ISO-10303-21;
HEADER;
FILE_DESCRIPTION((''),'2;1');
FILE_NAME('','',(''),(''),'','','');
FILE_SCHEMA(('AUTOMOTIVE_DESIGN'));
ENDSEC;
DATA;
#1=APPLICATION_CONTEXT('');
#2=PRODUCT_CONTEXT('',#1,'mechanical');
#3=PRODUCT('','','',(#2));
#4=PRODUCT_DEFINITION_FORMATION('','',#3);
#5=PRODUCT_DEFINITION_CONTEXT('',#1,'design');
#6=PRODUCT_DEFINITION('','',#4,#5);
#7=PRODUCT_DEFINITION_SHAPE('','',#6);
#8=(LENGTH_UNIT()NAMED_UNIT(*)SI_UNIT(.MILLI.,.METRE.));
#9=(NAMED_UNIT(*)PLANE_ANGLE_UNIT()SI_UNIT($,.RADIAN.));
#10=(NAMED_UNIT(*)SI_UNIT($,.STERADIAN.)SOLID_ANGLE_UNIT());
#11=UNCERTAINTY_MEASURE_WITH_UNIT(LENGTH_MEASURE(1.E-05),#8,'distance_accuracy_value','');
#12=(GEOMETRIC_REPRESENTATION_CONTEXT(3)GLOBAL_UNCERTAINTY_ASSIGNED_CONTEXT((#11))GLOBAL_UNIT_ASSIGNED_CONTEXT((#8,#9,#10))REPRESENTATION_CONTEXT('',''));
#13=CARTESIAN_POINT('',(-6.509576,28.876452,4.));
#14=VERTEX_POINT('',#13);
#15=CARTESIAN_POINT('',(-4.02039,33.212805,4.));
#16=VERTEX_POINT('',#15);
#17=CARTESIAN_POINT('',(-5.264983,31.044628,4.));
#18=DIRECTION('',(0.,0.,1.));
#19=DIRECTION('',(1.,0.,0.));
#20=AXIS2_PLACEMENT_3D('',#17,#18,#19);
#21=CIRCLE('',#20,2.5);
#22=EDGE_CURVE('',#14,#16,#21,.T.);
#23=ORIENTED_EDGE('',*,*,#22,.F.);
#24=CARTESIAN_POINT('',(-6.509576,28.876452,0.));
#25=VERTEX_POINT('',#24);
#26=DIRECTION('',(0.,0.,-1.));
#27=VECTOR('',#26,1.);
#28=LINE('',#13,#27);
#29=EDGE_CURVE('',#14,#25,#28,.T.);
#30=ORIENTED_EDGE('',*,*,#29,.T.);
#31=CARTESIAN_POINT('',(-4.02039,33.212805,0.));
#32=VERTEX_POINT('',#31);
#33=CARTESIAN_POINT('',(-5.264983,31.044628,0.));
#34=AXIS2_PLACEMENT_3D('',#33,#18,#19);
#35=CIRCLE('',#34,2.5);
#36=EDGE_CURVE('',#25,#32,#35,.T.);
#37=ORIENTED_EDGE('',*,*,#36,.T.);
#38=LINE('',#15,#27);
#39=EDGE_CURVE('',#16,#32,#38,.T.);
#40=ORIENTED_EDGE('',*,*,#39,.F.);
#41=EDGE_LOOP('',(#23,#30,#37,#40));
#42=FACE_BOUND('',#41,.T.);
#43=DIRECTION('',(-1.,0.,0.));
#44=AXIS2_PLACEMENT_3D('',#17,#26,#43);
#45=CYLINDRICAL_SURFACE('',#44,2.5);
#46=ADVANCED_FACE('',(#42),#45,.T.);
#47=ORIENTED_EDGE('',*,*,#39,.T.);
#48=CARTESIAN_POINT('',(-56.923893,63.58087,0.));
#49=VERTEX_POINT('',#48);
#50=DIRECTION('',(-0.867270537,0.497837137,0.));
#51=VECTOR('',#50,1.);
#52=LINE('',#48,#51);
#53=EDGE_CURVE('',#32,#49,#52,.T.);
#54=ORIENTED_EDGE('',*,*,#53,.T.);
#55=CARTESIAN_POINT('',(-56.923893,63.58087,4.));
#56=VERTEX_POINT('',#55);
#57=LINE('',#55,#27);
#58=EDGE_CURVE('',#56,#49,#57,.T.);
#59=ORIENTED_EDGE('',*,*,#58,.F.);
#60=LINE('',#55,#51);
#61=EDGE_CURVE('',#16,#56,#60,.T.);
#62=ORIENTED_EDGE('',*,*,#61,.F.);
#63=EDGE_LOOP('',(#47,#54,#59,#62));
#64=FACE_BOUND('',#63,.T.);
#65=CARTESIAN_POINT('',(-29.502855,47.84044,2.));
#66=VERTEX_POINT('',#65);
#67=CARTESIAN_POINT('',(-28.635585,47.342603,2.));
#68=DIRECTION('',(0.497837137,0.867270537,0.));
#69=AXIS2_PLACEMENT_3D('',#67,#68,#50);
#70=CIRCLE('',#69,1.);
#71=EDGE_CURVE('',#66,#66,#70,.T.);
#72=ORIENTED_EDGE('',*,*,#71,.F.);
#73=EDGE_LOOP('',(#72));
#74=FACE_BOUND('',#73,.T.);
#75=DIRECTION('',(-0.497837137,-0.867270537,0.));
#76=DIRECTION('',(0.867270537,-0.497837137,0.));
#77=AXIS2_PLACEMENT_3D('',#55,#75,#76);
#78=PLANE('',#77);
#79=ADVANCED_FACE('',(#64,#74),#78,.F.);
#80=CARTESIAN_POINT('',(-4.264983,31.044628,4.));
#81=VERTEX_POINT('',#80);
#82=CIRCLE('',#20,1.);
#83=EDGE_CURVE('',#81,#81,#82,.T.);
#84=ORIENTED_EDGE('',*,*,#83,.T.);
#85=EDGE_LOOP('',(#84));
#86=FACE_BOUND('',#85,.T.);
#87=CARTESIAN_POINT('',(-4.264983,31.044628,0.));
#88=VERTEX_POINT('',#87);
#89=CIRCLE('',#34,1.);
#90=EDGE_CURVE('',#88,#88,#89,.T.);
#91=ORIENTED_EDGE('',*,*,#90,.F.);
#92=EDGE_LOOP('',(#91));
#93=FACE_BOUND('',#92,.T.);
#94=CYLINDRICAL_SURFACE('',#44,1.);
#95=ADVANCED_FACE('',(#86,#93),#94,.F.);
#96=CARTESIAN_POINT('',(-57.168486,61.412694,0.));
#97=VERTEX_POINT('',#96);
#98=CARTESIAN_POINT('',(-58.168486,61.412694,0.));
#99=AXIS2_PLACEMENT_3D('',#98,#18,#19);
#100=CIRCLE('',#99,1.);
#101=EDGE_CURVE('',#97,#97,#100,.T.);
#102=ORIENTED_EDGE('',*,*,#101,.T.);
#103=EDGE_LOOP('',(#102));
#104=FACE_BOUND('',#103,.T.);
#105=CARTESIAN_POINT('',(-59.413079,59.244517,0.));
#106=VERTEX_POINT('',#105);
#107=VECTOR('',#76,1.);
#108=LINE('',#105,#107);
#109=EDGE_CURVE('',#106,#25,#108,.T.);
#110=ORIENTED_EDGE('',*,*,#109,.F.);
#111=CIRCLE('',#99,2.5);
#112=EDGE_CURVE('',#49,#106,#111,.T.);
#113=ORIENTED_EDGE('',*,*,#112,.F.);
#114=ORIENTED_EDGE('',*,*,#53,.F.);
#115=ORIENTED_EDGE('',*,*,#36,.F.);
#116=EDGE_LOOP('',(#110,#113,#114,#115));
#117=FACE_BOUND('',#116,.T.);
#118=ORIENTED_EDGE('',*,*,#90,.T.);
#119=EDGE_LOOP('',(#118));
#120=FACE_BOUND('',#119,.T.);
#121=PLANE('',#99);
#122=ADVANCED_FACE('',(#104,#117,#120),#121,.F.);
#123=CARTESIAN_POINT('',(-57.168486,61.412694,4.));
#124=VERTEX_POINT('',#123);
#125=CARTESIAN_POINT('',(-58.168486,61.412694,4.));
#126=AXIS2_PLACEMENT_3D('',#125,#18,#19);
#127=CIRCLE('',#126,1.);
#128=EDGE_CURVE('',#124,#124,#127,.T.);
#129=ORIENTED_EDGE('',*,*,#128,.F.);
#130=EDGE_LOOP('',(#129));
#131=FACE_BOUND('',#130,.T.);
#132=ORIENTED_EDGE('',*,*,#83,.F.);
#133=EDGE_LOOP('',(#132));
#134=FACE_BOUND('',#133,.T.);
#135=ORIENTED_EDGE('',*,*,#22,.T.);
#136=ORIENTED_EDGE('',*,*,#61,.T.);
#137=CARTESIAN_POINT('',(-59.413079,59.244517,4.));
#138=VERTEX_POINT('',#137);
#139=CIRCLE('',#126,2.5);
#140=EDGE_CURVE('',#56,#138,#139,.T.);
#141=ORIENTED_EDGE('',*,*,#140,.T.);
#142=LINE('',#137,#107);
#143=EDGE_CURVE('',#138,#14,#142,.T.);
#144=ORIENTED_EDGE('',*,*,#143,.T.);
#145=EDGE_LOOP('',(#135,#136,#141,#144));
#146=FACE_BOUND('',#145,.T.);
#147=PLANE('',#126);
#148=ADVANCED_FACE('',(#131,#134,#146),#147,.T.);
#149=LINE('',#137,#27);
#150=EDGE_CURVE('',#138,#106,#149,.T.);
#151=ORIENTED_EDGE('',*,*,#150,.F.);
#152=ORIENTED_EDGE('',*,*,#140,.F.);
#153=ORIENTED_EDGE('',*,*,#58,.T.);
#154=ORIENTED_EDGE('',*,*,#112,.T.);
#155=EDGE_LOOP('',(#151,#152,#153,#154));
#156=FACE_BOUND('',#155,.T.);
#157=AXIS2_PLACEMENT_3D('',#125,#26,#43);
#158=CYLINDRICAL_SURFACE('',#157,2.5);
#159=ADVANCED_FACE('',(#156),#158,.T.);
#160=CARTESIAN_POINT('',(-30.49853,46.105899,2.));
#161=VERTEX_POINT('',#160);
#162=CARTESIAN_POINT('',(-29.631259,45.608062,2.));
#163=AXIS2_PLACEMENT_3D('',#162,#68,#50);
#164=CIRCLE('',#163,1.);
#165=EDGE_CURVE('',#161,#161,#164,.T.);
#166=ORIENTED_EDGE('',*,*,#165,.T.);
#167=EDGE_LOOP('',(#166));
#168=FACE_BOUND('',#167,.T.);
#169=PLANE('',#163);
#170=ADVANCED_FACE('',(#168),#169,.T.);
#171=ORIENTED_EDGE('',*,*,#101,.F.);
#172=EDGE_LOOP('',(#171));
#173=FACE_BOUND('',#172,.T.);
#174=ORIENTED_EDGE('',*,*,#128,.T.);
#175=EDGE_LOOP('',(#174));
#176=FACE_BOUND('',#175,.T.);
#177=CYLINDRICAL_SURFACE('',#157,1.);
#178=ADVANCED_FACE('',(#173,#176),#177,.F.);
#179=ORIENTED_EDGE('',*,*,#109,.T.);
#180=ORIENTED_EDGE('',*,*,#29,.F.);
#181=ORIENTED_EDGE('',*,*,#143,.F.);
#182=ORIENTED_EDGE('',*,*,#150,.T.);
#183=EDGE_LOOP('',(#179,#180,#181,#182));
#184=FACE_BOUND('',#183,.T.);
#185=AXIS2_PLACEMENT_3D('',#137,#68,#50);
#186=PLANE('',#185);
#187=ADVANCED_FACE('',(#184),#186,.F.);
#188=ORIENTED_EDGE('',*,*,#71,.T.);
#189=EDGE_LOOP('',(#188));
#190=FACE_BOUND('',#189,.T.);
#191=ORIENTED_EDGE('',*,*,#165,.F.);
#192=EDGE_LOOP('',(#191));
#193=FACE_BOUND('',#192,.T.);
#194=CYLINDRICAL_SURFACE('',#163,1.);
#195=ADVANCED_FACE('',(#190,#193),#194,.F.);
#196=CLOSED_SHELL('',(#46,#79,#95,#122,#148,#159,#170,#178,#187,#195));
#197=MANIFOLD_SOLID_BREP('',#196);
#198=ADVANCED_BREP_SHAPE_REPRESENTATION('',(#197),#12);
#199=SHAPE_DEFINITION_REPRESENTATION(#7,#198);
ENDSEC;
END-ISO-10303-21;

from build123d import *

# Parameters (mm, degrees)
SKETCH1_R           = 1
BOSS_EXTRUDE1_DEPTH = 4
SKETCH2_R           = 1
CUT_EXTRUDE1_DEPTH  = 2


with BuildPart() as part:
    # Sketch1 → Boss-Extrude1 (new body)
    with BuildSketch(Plane.XY):
        with BuildLine():
            Line((-56.923893132, 63.580869991), (-4.020390364, 33.212804613))
            ThreePointArc((-4.020390364, 33.212804613), (-3.096806864, 29.800035426), (-6.509576051, 28.876451927))
            Line((-6.509576051, 28.876451927), (-59.413078819, 59.244517306))
            ThreePointArc((-59.413078819, 59.244517306), (-60.336662318, 62.657286492), (-56.923893132, 63.580869991))
        make_face()
        with Locations((-58.168485975, 61.412693649)):
            Circle(SKETCH1_R, mode=Mode.SUBTRACT)
        with Locations((-5.264983207, 31.04462827)):
            Circle(SKETCH1_R, mode=Mode.SUBTRACT)
    extrude(amount=BOSS_EXTRUDE1_DEPTH)

    # Sketch2 → Cut-Extrude1 (cut)
    with BuildSketch(Plane(origin=(13.343522454, 23.245441166, 0), x_dir=(0.8672705371832455, -0.49783713735908147, 0), z_dir=(0.49783713735908147, 0.8672705371832455, 0))):
        with Locations(Location((-48.403705156, -2, 0), (0, 0, 180))):
            Circle(SKETCH2_R)
    extrude(amount=-CUT_EXTRUDE1_DEPTH, mode=Mode.SUBTRACT)


solid = part.part
